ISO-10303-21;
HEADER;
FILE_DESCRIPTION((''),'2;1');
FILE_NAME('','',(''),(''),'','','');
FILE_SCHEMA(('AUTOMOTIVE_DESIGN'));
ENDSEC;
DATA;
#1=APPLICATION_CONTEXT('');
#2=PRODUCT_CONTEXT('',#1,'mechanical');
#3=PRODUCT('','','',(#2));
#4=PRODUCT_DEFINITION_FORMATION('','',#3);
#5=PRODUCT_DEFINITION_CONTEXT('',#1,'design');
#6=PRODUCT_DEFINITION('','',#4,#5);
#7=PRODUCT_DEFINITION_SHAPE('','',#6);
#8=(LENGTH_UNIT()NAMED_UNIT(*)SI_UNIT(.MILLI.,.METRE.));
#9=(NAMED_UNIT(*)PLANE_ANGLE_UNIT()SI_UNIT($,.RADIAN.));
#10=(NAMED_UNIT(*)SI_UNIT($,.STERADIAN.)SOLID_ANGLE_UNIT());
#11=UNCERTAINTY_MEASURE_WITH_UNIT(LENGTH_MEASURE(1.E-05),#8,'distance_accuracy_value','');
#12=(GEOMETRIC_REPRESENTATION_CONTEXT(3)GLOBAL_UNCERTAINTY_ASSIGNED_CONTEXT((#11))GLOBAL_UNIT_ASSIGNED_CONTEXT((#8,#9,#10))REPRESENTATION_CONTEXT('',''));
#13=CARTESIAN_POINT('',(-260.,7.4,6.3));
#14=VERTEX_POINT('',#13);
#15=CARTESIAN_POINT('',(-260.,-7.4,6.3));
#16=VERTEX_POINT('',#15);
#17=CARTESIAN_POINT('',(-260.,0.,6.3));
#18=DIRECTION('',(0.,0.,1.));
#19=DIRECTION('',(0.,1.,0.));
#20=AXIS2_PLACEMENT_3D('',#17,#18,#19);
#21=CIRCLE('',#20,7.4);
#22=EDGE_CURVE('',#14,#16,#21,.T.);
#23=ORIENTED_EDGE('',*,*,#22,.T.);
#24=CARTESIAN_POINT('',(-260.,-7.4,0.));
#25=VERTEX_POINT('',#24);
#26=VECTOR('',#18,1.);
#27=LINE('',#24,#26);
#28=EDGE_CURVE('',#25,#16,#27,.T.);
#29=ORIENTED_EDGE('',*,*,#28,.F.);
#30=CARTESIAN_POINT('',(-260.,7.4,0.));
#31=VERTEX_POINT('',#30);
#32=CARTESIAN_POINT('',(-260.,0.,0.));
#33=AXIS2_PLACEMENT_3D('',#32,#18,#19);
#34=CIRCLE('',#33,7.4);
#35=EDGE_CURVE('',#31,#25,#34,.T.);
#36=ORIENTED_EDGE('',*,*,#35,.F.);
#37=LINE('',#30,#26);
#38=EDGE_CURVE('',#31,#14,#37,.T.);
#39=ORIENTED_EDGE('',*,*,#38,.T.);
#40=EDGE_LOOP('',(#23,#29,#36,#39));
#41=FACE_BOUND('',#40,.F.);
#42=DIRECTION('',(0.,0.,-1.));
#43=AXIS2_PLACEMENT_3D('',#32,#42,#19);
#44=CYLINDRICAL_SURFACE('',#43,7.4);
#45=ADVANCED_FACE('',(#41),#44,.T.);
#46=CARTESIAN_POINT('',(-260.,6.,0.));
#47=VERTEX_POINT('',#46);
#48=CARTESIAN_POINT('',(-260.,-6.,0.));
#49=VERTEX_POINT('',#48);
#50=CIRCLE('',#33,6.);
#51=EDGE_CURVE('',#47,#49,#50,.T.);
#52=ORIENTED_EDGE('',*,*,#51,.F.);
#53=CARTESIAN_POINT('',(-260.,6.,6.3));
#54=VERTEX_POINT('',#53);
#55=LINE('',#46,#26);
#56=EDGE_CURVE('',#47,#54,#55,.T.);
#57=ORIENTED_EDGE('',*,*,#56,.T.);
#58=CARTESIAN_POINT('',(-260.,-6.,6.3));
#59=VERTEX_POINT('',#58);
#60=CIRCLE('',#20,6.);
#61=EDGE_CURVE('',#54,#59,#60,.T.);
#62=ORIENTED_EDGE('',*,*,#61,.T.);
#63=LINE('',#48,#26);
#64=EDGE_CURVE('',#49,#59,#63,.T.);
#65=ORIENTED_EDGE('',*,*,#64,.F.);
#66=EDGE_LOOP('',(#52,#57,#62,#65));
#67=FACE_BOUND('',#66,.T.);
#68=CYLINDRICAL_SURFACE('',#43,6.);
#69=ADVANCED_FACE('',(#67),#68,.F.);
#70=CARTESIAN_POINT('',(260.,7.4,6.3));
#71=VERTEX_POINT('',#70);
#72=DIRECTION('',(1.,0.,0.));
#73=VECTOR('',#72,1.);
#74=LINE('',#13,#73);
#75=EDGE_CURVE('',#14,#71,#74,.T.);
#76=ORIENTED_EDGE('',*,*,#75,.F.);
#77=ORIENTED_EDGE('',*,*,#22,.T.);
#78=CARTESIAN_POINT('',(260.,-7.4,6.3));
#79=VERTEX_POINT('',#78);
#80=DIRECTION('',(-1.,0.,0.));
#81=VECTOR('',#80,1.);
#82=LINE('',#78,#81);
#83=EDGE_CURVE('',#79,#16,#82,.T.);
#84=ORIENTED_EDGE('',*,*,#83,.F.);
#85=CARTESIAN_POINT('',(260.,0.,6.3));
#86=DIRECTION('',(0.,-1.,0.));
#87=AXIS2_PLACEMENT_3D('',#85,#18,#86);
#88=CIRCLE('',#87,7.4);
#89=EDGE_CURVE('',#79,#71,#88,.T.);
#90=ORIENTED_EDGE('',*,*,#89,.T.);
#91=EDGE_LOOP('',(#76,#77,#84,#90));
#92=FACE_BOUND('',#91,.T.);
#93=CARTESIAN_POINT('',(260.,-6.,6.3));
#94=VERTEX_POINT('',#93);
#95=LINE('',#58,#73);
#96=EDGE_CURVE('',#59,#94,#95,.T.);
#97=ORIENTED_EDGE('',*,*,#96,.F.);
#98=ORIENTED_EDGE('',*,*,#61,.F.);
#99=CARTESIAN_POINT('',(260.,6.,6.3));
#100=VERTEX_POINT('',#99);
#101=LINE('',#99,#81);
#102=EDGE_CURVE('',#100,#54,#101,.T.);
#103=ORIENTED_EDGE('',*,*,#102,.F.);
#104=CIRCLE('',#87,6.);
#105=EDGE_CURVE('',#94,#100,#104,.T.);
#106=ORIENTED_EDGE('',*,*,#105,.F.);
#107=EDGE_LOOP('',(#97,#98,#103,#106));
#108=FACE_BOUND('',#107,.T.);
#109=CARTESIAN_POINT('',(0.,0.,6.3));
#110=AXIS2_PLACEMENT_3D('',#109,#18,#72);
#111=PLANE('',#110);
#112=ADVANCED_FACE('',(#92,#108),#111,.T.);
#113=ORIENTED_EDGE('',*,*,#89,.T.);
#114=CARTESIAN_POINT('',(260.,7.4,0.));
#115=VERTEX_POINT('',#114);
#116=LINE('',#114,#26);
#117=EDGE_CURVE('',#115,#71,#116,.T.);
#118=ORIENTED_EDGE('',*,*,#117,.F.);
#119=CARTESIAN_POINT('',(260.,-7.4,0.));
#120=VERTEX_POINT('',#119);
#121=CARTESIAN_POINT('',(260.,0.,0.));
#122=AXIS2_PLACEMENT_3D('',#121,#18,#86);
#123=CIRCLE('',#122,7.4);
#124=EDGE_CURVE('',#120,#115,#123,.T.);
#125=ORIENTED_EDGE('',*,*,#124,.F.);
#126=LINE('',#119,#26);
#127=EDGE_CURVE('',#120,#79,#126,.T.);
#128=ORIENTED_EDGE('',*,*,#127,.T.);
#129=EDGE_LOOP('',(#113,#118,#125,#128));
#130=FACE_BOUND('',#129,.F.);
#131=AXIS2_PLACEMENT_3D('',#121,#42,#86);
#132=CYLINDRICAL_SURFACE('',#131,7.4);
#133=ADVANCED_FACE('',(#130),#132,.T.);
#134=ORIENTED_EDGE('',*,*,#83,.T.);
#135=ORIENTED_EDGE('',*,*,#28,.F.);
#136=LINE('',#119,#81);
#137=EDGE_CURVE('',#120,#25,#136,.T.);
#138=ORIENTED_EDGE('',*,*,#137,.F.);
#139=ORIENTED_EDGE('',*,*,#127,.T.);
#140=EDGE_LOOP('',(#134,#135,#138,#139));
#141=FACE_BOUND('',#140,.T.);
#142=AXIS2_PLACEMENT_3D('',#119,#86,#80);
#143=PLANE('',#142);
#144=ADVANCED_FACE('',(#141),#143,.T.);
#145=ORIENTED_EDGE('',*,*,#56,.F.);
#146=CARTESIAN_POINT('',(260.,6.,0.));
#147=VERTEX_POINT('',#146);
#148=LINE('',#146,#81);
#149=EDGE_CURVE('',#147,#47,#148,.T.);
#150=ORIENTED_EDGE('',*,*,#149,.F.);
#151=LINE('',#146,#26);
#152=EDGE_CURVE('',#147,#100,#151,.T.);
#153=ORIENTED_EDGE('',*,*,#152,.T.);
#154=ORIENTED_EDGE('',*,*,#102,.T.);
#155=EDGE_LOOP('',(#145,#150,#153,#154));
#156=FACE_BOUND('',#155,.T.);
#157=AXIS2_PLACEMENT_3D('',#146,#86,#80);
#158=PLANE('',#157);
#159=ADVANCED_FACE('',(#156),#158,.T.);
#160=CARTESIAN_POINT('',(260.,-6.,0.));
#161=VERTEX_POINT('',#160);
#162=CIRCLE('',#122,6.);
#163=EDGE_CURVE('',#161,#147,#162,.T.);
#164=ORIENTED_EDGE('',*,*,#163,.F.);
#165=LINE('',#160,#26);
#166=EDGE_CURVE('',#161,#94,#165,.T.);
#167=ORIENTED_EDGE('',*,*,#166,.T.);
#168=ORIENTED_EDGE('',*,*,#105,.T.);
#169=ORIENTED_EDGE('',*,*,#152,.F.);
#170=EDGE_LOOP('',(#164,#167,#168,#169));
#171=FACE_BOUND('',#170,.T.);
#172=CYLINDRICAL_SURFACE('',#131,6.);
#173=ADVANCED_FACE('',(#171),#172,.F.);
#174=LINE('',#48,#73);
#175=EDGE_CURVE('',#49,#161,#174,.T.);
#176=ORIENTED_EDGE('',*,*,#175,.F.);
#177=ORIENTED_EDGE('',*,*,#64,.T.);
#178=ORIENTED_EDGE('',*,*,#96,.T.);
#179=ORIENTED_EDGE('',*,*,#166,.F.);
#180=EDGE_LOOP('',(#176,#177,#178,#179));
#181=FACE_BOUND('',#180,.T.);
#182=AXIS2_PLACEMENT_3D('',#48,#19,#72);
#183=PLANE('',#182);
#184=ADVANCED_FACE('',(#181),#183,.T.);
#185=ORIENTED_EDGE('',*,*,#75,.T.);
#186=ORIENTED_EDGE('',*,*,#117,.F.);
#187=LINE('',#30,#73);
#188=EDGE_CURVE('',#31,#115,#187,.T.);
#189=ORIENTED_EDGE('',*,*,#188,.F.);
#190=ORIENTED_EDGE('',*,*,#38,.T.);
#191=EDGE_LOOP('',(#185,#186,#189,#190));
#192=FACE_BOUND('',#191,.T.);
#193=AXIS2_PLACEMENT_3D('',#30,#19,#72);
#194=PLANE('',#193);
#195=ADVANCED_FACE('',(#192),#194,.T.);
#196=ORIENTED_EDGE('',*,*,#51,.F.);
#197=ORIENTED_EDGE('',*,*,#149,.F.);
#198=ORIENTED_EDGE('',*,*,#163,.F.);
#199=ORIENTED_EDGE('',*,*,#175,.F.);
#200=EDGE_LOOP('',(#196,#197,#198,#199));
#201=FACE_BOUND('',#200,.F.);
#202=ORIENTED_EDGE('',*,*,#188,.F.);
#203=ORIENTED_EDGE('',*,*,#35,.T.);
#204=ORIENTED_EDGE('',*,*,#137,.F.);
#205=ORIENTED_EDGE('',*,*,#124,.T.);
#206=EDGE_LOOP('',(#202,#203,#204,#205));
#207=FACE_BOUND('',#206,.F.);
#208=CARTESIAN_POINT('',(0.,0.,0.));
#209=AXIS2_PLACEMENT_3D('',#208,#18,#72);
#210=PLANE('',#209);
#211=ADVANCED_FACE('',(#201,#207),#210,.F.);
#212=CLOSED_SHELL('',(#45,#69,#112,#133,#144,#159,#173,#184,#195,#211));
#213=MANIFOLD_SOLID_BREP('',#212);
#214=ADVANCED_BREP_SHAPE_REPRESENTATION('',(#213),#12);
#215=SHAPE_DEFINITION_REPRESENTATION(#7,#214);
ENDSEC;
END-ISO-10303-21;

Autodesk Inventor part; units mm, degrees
ref_plane "YZ Plane" through (0, 0, 0) normal (1, 0, 0) x (0, 1, 0)
ref_plane "XZ Plane" through (0, 0, 0) normal (0, 1, 0) x (-1, 0, 0)
ref_plane "XY Plane" through (0, 0, 0) normal (0, 0, 1) x (1, 0, 0)
sketch "Szkic1" plane through (0, 0, 0) normal (0, 0, 1) x (1, 0, 0)
  line L0 (260, 0) -> (-260, 0) construction
  line L1 (260, 6) -> (-260, 6)
  line L2 (-260, -6) -> (260, -6)
  arc A0 (260, -6) -> (260, 6) centre (260, 0) ccw
  arc A1 (-260, 6) -> (-260, -6) centre (-260, 0) ccw
  line L3 (-260, 7.4) -> (260, 7.4)
  arc A2 (260, -7.4) -> (260, 7.4) centre (260, 0) ccw
  line L4 (260, -7.4) -> (-260, -7.4)
  arc A3 (-260, 7.4) -> (-260, -7.4) centre (-260, 0) ccw
  point P0 (0, 0)
  dimension "d0" = 260
  dimension "d1" = 12
  dimension "d2" = 1.4
extrude "Wyciągnięcie proste1" add sketch "Szkic1" along normal blind 6.3
properties part number "COTS_GENERIC_Y_Axis_Timing_Belt"
